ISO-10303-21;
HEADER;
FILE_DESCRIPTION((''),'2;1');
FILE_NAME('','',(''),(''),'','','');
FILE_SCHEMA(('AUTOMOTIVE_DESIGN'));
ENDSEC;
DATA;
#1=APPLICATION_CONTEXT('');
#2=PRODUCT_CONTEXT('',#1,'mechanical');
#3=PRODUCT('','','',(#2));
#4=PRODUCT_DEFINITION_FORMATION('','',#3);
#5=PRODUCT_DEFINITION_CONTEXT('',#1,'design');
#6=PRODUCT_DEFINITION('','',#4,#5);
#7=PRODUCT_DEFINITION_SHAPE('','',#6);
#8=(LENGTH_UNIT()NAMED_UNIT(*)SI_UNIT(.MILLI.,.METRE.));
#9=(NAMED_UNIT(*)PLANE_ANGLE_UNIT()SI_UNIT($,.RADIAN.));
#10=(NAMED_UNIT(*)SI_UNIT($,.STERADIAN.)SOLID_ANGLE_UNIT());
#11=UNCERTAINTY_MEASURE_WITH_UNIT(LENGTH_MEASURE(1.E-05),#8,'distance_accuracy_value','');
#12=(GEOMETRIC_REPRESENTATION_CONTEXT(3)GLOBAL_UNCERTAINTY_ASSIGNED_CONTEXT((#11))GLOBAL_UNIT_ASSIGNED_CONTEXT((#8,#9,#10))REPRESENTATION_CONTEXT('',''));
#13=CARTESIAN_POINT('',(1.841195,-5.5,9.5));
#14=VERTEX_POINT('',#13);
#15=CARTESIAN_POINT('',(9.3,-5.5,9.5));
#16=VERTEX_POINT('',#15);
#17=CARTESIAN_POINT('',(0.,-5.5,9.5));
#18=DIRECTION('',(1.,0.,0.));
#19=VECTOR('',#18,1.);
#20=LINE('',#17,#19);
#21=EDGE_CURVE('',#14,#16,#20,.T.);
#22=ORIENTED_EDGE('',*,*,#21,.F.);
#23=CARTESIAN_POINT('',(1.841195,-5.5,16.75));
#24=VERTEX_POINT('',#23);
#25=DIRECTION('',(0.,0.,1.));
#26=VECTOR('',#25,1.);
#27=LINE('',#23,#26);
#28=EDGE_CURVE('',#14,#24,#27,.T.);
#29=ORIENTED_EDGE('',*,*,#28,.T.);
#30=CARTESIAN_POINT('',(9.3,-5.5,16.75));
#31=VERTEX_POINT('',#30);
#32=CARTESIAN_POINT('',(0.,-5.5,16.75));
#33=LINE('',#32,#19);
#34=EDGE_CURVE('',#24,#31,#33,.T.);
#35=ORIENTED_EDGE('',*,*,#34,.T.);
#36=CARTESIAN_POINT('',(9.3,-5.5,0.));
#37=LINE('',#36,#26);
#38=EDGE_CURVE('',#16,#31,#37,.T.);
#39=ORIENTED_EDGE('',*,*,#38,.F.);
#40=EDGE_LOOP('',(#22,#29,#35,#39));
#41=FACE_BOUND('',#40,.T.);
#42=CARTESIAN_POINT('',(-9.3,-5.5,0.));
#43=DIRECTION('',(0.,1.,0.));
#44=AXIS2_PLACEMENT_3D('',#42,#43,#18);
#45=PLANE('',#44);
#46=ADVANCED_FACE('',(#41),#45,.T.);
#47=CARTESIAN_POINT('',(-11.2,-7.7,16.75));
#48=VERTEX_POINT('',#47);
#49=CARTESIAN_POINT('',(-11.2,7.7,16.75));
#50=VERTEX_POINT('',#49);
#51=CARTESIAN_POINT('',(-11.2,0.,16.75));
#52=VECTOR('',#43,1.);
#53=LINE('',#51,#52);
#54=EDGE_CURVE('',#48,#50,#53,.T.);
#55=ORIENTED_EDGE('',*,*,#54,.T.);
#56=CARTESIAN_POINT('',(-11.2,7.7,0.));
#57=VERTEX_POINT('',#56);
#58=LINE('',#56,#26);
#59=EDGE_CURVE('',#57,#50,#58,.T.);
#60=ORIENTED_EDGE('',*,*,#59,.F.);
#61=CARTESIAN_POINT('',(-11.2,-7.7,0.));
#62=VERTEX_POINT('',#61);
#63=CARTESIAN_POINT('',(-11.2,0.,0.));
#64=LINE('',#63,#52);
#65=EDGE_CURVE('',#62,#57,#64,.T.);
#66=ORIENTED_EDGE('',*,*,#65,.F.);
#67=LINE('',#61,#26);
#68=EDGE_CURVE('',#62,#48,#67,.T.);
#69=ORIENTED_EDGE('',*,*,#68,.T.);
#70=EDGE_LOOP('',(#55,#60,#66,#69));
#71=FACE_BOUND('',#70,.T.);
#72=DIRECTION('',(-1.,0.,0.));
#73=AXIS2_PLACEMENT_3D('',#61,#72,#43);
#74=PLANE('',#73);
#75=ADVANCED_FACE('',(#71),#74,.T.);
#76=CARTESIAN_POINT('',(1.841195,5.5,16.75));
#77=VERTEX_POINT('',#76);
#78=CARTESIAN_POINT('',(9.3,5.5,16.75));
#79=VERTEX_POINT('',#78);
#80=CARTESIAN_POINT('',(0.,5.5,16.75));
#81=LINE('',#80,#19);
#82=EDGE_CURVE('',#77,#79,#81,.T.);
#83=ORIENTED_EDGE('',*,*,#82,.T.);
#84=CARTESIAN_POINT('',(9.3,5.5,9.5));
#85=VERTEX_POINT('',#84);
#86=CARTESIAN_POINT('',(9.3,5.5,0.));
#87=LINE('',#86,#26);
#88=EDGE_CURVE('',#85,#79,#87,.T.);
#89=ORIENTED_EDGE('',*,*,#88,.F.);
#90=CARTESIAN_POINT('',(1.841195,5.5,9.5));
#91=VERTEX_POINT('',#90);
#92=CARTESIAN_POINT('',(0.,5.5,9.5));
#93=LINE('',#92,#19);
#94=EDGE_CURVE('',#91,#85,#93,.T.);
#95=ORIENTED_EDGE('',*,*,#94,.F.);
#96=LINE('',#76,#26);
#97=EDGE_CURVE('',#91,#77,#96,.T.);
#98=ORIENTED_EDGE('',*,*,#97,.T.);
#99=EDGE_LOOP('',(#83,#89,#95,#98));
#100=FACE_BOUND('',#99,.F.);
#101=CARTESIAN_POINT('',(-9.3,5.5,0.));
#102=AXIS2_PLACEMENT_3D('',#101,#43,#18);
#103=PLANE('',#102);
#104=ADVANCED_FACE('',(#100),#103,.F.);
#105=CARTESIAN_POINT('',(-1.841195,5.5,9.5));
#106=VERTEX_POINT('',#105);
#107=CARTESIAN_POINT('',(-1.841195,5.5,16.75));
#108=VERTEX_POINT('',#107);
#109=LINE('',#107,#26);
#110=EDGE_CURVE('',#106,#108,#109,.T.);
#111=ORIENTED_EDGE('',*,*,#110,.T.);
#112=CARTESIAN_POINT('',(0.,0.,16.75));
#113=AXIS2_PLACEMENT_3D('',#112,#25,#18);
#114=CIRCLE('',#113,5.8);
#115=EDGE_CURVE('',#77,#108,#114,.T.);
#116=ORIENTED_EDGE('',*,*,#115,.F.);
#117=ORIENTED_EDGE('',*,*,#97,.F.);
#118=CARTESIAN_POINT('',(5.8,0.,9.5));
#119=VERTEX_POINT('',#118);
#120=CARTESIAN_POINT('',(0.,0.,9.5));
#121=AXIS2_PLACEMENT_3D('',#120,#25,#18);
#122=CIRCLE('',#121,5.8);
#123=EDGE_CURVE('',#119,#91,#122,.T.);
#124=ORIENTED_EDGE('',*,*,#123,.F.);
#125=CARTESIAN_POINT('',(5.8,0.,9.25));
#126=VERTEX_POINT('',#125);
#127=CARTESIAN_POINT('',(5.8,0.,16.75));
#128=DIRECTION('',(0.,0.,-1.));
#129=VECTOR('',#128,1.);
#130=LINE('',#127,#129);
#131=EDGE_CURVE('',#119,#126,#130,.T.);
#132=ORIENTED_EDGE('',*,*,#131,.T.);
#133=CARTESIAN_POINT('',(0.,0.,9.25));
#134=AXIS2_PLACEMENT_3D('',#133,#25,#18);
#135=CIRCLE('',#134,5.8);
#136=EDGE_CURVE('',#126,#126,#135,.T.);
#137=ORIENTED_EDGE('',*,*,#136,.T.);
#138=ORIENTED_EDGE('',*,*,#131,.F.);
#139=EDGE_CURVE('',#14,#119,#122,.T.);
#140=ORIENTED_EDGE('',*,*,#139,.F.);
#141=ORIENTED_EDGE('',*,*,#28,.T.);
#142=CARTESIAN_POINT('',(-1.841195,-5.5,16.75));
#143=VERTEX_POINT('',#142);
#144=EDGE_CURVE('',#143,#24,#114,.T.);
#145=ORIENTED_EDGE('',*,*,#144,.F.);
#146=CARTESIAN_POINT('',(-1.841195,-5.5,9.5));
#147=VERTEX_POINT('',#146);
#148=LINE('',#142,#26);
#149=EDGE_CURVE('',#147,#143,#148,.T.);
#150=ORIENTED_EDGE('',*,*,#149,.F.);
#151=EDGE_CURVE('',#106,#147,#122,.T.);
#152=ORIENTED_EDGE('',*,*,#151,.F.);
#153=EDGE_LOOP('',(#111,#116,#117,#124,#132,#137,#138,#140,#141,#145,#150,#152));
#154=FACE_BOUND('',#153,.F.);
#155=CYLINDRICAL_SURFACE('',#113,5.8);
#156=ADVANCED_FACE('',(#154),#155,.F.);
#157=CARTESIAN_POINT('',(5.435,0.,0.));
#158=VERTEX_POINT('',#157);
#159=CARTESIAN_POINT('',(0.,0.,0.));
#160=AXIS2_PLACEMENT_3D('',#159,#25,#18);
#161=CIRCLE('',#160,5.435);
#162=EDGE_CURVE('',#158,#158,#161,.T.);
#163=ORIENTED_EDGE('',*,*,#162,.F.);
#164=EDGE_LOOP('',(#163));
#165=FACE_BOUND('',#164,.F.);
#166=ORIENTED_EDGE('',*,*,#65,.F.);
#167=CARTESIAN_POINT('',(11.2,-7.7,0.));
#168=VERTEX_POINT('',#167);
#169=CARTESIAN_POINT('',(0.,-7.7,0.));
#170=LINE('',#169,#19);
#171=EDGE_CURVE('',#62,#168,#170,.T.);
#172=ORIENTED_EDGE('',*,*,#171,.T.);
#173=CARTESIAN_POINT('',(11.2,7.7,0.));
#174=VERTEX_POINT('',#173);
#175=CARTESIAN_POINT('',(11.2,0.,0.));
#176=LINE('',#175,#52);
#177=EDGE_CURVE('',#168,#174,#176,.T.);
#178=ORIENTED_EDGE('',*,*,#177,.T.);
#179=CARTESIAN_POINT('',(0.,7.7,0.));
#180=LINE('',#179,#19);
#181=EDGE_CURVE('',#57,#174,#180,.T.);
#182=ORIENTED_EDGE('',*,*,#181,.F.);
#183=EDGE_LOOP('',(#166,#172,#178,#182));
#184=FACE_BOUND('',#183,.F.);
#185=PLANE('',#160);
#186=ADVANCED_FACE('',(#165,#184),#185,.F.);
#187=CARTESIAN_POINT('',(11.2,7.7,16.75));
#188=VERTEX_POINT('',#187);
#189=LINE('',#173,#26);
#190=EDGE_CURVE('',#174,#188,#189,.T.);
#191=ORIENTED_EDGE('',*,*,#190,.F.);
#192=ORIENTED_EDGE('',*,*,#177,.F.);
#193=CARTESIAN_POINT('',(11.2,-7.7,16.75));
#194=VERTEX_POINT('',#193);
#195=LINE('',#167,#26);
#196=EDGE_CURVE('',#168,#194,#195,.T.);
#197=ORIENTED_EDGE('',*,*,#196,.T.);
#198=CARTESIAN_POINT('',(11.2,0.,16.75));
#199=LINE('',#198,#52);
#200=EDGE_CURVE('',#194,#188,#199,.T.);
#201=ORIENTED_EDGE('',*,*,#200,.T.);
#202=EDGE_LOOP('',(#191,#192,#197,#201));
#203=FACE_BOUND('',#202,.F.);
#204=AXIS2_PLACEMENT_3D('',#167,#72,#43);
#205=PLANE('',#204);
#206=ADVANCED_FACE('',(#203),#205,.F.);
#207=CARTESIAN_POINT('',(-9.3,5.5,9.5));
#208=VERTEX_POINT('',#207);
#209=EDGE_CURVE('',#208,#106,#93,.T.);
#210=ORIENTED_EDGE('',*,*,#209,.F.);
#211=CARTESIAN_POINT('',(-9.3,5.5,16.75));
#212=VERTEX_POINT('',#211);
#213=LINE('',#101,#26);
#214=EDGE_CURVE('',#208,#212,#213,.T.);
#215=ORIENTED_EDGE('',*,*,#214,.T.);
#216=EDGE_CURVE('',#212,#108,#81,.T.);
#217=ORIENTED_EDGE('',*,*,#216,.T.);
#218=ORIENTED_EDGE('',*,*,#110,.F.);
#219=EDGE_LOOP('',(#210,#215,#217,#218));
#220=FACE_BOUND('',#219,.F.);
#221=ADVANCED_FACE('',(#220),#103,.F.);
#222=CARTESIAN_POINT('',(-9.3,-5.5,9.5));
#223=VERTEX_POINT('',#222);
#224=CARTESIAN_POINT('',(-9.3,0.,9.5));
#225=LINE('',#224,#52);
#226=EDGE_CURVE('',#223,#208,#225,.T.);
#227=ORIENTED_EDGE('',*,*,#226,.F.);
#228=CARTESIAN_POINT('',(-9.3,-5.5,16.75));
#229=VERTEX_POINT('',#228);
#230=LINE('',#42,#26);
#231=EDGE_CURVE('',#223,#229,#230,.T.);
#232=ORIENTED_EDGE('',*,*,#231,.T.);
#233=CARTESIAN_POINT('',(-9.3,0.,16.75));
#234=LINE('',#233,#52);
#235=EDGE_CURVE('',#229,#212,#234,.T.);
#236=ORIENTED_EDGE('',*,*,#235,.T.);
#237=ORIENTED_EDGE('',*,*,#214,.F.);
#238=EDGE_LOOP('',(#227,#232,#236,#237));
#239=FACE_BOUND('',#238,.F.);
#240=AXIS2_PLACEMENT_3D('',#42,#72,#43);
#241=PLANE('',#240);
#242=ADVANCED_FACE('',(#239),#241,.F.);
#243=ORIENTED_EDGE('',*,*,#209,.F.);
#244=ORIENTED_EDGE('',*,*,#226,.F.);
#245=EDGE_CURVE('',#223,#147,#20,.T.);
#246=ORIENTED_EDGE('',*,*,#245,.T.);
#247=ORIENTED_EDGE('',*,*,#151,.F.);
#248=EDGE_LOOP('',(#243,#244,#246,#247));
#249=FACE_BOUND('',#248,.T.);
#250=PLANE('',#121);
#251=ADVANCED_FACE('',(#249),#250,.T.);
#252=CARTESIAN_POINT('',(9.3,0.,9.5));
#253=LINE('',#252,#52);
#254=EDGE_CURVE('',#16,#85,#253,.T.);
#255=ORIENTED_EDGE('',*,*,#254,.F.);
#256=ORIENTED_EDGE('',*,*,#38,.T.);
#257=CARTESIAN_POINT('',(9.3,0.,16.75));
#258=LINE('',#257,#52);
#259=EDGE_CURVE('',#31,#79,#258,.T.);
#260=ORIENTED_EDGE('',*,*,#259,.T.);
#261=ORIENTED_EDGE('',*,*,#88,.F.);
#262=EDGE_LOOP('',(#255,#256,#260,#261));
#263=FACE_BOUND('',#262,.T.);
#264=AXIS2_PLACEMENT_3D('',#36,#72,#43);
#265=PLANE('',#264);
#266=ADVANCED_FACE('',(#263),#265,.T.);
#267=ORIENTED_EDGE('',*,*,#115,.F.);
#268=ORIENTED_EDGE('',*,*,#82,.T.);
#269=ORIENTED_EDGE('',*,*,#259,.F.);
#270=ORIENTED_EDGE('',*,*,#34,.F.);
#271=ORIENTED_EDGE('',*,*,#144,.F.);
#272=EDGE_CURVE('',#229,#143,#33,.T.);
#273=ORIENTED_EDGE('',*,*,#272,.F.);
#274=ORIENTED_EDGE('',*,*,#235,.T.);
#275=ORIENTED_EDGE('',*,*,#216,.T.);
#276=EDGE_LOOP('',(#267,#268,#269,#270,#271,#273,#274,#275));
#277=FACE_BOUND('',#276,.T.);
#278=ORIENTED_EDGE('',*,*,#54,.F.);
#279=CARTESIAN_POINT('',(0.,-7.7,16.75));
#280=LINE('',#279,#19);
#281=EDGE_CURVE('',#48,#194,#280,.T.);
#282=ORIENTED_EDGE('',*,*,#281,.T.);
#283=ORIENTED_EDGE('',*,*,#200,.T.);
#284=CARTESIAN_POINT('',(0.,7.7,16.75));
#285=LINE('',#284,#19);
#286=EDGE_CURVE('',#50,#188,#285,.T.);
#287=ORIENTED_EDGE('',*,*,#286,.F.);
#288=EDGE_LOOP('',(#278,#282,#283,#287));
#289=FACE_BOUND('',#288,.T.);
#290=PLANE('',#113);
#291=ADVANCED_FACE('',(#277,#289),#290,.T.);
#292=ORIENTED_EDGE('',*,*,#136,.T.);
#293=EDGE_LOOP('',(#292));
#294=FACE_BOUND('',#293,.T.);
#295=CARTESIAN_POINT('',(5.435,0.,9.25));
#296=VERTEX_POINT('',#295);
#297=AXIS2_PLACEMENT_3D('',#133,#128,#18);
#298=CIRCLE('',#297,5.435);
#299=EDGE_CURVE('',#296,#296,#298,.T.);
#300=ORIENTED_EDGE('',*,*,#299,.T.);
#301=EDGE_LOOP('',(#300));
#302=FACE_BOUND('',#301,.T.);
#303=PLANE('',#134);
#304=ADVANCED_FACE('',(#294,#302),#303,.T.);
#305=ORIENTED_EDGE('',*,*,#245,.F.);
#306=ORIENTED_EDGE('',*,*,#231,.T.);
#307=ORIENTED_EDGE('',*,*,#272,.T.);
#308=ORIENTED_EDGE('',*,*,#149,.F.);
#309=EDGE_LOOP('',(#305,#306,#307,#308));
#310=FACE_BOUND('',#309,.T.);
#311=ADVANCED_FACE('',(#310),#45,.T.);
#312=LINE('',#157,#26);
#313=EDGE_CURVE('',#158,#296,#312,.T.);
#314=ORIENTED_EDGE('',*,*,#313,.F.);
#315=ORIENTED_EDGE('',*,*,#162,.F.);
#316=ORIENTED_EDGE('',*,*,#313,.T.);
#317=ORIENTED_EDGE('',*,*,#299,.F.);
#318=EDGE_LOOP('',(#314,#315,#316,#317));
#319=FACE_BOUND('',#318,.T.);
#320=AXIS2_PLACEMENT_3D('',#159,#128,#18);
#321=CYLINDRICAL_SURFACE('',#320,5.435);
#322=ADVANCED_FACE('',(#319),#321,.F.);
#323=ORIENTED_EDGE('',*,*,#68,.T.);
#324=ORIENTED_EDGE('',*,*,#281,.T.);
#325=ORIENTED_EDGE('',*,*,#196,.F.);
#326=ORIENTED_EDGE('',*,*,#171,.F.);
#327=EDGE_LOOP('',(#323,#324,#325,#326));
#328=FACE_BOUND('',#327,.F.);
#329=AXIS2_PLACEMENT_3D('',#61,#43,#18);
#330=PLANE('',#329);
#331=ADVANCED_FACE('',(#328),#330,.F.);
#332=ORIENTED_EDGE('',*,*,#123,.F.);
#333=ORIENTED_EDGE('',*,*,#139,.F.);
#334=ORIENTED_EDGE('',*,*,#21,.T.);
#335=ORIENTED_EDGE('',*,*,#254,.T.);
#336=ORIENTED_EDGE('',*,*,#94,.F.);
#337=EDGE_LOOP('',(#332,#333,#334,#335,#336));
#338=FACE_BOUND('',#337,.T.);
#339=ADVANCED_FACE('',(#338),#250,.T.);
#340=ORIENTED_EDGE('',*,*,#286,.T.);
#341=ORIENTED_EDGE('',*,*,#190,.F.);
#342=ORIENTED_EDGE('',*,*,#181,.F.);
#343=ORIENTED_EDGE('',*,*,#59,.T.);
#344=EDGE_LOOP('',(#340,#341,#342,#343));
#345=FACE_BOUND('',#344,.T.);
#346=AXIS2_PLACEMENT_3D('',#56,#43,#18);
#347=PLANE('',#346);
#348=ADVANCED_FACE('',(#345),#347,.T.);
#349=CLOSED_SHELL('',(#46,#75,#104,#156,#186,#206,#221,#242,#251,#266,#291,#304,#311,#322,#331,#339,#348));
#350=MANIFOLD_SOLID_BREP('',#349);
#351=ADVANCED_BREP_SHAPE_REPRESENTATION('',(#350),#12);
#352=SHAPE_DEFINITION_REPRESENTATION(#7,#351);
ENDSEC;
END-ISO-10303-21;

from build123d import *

# Parameters (mm, degrees)
F0_W     = 22.4
F0_H     = 15.4
F0_W_2   = 18.6
F0_H_2   = 11
F1_DEPTH = 16.75
F0_R     = 5.435
F2_DEPTH = 9.5
F3_R     = 5.8
F4_DEPTH = 7.5


with BuildPart() as f1:
    # F0 (on Top) → F1 (new body)
    with BuildSketch(Plane.XY):
        Rectangle(F0_W, F0_H)
        Rectangle(F0_W_2, F0_H_2, mode=Mode.SUBTRACT)
    extrude(amount=F1_DEPTH)

    # F0 (on Top) → F2 (join)
    with BuildSketch(Plane.XY):
        Rectangle(F0_W_2, F0_H_2)
        Circle(F0_R, mode=Mode.SUBTRACT)
    extrude(amount=F2_DEPTH)

    # F3 (on face) → F4 (cut)
    with BuildSketch(Plane.XY.offset(16.75)):
        Circle(F3_R)
    extrude(amount=-F4_DEPTH, mode=Mode.SUBTRACT)


solid = f1.part
